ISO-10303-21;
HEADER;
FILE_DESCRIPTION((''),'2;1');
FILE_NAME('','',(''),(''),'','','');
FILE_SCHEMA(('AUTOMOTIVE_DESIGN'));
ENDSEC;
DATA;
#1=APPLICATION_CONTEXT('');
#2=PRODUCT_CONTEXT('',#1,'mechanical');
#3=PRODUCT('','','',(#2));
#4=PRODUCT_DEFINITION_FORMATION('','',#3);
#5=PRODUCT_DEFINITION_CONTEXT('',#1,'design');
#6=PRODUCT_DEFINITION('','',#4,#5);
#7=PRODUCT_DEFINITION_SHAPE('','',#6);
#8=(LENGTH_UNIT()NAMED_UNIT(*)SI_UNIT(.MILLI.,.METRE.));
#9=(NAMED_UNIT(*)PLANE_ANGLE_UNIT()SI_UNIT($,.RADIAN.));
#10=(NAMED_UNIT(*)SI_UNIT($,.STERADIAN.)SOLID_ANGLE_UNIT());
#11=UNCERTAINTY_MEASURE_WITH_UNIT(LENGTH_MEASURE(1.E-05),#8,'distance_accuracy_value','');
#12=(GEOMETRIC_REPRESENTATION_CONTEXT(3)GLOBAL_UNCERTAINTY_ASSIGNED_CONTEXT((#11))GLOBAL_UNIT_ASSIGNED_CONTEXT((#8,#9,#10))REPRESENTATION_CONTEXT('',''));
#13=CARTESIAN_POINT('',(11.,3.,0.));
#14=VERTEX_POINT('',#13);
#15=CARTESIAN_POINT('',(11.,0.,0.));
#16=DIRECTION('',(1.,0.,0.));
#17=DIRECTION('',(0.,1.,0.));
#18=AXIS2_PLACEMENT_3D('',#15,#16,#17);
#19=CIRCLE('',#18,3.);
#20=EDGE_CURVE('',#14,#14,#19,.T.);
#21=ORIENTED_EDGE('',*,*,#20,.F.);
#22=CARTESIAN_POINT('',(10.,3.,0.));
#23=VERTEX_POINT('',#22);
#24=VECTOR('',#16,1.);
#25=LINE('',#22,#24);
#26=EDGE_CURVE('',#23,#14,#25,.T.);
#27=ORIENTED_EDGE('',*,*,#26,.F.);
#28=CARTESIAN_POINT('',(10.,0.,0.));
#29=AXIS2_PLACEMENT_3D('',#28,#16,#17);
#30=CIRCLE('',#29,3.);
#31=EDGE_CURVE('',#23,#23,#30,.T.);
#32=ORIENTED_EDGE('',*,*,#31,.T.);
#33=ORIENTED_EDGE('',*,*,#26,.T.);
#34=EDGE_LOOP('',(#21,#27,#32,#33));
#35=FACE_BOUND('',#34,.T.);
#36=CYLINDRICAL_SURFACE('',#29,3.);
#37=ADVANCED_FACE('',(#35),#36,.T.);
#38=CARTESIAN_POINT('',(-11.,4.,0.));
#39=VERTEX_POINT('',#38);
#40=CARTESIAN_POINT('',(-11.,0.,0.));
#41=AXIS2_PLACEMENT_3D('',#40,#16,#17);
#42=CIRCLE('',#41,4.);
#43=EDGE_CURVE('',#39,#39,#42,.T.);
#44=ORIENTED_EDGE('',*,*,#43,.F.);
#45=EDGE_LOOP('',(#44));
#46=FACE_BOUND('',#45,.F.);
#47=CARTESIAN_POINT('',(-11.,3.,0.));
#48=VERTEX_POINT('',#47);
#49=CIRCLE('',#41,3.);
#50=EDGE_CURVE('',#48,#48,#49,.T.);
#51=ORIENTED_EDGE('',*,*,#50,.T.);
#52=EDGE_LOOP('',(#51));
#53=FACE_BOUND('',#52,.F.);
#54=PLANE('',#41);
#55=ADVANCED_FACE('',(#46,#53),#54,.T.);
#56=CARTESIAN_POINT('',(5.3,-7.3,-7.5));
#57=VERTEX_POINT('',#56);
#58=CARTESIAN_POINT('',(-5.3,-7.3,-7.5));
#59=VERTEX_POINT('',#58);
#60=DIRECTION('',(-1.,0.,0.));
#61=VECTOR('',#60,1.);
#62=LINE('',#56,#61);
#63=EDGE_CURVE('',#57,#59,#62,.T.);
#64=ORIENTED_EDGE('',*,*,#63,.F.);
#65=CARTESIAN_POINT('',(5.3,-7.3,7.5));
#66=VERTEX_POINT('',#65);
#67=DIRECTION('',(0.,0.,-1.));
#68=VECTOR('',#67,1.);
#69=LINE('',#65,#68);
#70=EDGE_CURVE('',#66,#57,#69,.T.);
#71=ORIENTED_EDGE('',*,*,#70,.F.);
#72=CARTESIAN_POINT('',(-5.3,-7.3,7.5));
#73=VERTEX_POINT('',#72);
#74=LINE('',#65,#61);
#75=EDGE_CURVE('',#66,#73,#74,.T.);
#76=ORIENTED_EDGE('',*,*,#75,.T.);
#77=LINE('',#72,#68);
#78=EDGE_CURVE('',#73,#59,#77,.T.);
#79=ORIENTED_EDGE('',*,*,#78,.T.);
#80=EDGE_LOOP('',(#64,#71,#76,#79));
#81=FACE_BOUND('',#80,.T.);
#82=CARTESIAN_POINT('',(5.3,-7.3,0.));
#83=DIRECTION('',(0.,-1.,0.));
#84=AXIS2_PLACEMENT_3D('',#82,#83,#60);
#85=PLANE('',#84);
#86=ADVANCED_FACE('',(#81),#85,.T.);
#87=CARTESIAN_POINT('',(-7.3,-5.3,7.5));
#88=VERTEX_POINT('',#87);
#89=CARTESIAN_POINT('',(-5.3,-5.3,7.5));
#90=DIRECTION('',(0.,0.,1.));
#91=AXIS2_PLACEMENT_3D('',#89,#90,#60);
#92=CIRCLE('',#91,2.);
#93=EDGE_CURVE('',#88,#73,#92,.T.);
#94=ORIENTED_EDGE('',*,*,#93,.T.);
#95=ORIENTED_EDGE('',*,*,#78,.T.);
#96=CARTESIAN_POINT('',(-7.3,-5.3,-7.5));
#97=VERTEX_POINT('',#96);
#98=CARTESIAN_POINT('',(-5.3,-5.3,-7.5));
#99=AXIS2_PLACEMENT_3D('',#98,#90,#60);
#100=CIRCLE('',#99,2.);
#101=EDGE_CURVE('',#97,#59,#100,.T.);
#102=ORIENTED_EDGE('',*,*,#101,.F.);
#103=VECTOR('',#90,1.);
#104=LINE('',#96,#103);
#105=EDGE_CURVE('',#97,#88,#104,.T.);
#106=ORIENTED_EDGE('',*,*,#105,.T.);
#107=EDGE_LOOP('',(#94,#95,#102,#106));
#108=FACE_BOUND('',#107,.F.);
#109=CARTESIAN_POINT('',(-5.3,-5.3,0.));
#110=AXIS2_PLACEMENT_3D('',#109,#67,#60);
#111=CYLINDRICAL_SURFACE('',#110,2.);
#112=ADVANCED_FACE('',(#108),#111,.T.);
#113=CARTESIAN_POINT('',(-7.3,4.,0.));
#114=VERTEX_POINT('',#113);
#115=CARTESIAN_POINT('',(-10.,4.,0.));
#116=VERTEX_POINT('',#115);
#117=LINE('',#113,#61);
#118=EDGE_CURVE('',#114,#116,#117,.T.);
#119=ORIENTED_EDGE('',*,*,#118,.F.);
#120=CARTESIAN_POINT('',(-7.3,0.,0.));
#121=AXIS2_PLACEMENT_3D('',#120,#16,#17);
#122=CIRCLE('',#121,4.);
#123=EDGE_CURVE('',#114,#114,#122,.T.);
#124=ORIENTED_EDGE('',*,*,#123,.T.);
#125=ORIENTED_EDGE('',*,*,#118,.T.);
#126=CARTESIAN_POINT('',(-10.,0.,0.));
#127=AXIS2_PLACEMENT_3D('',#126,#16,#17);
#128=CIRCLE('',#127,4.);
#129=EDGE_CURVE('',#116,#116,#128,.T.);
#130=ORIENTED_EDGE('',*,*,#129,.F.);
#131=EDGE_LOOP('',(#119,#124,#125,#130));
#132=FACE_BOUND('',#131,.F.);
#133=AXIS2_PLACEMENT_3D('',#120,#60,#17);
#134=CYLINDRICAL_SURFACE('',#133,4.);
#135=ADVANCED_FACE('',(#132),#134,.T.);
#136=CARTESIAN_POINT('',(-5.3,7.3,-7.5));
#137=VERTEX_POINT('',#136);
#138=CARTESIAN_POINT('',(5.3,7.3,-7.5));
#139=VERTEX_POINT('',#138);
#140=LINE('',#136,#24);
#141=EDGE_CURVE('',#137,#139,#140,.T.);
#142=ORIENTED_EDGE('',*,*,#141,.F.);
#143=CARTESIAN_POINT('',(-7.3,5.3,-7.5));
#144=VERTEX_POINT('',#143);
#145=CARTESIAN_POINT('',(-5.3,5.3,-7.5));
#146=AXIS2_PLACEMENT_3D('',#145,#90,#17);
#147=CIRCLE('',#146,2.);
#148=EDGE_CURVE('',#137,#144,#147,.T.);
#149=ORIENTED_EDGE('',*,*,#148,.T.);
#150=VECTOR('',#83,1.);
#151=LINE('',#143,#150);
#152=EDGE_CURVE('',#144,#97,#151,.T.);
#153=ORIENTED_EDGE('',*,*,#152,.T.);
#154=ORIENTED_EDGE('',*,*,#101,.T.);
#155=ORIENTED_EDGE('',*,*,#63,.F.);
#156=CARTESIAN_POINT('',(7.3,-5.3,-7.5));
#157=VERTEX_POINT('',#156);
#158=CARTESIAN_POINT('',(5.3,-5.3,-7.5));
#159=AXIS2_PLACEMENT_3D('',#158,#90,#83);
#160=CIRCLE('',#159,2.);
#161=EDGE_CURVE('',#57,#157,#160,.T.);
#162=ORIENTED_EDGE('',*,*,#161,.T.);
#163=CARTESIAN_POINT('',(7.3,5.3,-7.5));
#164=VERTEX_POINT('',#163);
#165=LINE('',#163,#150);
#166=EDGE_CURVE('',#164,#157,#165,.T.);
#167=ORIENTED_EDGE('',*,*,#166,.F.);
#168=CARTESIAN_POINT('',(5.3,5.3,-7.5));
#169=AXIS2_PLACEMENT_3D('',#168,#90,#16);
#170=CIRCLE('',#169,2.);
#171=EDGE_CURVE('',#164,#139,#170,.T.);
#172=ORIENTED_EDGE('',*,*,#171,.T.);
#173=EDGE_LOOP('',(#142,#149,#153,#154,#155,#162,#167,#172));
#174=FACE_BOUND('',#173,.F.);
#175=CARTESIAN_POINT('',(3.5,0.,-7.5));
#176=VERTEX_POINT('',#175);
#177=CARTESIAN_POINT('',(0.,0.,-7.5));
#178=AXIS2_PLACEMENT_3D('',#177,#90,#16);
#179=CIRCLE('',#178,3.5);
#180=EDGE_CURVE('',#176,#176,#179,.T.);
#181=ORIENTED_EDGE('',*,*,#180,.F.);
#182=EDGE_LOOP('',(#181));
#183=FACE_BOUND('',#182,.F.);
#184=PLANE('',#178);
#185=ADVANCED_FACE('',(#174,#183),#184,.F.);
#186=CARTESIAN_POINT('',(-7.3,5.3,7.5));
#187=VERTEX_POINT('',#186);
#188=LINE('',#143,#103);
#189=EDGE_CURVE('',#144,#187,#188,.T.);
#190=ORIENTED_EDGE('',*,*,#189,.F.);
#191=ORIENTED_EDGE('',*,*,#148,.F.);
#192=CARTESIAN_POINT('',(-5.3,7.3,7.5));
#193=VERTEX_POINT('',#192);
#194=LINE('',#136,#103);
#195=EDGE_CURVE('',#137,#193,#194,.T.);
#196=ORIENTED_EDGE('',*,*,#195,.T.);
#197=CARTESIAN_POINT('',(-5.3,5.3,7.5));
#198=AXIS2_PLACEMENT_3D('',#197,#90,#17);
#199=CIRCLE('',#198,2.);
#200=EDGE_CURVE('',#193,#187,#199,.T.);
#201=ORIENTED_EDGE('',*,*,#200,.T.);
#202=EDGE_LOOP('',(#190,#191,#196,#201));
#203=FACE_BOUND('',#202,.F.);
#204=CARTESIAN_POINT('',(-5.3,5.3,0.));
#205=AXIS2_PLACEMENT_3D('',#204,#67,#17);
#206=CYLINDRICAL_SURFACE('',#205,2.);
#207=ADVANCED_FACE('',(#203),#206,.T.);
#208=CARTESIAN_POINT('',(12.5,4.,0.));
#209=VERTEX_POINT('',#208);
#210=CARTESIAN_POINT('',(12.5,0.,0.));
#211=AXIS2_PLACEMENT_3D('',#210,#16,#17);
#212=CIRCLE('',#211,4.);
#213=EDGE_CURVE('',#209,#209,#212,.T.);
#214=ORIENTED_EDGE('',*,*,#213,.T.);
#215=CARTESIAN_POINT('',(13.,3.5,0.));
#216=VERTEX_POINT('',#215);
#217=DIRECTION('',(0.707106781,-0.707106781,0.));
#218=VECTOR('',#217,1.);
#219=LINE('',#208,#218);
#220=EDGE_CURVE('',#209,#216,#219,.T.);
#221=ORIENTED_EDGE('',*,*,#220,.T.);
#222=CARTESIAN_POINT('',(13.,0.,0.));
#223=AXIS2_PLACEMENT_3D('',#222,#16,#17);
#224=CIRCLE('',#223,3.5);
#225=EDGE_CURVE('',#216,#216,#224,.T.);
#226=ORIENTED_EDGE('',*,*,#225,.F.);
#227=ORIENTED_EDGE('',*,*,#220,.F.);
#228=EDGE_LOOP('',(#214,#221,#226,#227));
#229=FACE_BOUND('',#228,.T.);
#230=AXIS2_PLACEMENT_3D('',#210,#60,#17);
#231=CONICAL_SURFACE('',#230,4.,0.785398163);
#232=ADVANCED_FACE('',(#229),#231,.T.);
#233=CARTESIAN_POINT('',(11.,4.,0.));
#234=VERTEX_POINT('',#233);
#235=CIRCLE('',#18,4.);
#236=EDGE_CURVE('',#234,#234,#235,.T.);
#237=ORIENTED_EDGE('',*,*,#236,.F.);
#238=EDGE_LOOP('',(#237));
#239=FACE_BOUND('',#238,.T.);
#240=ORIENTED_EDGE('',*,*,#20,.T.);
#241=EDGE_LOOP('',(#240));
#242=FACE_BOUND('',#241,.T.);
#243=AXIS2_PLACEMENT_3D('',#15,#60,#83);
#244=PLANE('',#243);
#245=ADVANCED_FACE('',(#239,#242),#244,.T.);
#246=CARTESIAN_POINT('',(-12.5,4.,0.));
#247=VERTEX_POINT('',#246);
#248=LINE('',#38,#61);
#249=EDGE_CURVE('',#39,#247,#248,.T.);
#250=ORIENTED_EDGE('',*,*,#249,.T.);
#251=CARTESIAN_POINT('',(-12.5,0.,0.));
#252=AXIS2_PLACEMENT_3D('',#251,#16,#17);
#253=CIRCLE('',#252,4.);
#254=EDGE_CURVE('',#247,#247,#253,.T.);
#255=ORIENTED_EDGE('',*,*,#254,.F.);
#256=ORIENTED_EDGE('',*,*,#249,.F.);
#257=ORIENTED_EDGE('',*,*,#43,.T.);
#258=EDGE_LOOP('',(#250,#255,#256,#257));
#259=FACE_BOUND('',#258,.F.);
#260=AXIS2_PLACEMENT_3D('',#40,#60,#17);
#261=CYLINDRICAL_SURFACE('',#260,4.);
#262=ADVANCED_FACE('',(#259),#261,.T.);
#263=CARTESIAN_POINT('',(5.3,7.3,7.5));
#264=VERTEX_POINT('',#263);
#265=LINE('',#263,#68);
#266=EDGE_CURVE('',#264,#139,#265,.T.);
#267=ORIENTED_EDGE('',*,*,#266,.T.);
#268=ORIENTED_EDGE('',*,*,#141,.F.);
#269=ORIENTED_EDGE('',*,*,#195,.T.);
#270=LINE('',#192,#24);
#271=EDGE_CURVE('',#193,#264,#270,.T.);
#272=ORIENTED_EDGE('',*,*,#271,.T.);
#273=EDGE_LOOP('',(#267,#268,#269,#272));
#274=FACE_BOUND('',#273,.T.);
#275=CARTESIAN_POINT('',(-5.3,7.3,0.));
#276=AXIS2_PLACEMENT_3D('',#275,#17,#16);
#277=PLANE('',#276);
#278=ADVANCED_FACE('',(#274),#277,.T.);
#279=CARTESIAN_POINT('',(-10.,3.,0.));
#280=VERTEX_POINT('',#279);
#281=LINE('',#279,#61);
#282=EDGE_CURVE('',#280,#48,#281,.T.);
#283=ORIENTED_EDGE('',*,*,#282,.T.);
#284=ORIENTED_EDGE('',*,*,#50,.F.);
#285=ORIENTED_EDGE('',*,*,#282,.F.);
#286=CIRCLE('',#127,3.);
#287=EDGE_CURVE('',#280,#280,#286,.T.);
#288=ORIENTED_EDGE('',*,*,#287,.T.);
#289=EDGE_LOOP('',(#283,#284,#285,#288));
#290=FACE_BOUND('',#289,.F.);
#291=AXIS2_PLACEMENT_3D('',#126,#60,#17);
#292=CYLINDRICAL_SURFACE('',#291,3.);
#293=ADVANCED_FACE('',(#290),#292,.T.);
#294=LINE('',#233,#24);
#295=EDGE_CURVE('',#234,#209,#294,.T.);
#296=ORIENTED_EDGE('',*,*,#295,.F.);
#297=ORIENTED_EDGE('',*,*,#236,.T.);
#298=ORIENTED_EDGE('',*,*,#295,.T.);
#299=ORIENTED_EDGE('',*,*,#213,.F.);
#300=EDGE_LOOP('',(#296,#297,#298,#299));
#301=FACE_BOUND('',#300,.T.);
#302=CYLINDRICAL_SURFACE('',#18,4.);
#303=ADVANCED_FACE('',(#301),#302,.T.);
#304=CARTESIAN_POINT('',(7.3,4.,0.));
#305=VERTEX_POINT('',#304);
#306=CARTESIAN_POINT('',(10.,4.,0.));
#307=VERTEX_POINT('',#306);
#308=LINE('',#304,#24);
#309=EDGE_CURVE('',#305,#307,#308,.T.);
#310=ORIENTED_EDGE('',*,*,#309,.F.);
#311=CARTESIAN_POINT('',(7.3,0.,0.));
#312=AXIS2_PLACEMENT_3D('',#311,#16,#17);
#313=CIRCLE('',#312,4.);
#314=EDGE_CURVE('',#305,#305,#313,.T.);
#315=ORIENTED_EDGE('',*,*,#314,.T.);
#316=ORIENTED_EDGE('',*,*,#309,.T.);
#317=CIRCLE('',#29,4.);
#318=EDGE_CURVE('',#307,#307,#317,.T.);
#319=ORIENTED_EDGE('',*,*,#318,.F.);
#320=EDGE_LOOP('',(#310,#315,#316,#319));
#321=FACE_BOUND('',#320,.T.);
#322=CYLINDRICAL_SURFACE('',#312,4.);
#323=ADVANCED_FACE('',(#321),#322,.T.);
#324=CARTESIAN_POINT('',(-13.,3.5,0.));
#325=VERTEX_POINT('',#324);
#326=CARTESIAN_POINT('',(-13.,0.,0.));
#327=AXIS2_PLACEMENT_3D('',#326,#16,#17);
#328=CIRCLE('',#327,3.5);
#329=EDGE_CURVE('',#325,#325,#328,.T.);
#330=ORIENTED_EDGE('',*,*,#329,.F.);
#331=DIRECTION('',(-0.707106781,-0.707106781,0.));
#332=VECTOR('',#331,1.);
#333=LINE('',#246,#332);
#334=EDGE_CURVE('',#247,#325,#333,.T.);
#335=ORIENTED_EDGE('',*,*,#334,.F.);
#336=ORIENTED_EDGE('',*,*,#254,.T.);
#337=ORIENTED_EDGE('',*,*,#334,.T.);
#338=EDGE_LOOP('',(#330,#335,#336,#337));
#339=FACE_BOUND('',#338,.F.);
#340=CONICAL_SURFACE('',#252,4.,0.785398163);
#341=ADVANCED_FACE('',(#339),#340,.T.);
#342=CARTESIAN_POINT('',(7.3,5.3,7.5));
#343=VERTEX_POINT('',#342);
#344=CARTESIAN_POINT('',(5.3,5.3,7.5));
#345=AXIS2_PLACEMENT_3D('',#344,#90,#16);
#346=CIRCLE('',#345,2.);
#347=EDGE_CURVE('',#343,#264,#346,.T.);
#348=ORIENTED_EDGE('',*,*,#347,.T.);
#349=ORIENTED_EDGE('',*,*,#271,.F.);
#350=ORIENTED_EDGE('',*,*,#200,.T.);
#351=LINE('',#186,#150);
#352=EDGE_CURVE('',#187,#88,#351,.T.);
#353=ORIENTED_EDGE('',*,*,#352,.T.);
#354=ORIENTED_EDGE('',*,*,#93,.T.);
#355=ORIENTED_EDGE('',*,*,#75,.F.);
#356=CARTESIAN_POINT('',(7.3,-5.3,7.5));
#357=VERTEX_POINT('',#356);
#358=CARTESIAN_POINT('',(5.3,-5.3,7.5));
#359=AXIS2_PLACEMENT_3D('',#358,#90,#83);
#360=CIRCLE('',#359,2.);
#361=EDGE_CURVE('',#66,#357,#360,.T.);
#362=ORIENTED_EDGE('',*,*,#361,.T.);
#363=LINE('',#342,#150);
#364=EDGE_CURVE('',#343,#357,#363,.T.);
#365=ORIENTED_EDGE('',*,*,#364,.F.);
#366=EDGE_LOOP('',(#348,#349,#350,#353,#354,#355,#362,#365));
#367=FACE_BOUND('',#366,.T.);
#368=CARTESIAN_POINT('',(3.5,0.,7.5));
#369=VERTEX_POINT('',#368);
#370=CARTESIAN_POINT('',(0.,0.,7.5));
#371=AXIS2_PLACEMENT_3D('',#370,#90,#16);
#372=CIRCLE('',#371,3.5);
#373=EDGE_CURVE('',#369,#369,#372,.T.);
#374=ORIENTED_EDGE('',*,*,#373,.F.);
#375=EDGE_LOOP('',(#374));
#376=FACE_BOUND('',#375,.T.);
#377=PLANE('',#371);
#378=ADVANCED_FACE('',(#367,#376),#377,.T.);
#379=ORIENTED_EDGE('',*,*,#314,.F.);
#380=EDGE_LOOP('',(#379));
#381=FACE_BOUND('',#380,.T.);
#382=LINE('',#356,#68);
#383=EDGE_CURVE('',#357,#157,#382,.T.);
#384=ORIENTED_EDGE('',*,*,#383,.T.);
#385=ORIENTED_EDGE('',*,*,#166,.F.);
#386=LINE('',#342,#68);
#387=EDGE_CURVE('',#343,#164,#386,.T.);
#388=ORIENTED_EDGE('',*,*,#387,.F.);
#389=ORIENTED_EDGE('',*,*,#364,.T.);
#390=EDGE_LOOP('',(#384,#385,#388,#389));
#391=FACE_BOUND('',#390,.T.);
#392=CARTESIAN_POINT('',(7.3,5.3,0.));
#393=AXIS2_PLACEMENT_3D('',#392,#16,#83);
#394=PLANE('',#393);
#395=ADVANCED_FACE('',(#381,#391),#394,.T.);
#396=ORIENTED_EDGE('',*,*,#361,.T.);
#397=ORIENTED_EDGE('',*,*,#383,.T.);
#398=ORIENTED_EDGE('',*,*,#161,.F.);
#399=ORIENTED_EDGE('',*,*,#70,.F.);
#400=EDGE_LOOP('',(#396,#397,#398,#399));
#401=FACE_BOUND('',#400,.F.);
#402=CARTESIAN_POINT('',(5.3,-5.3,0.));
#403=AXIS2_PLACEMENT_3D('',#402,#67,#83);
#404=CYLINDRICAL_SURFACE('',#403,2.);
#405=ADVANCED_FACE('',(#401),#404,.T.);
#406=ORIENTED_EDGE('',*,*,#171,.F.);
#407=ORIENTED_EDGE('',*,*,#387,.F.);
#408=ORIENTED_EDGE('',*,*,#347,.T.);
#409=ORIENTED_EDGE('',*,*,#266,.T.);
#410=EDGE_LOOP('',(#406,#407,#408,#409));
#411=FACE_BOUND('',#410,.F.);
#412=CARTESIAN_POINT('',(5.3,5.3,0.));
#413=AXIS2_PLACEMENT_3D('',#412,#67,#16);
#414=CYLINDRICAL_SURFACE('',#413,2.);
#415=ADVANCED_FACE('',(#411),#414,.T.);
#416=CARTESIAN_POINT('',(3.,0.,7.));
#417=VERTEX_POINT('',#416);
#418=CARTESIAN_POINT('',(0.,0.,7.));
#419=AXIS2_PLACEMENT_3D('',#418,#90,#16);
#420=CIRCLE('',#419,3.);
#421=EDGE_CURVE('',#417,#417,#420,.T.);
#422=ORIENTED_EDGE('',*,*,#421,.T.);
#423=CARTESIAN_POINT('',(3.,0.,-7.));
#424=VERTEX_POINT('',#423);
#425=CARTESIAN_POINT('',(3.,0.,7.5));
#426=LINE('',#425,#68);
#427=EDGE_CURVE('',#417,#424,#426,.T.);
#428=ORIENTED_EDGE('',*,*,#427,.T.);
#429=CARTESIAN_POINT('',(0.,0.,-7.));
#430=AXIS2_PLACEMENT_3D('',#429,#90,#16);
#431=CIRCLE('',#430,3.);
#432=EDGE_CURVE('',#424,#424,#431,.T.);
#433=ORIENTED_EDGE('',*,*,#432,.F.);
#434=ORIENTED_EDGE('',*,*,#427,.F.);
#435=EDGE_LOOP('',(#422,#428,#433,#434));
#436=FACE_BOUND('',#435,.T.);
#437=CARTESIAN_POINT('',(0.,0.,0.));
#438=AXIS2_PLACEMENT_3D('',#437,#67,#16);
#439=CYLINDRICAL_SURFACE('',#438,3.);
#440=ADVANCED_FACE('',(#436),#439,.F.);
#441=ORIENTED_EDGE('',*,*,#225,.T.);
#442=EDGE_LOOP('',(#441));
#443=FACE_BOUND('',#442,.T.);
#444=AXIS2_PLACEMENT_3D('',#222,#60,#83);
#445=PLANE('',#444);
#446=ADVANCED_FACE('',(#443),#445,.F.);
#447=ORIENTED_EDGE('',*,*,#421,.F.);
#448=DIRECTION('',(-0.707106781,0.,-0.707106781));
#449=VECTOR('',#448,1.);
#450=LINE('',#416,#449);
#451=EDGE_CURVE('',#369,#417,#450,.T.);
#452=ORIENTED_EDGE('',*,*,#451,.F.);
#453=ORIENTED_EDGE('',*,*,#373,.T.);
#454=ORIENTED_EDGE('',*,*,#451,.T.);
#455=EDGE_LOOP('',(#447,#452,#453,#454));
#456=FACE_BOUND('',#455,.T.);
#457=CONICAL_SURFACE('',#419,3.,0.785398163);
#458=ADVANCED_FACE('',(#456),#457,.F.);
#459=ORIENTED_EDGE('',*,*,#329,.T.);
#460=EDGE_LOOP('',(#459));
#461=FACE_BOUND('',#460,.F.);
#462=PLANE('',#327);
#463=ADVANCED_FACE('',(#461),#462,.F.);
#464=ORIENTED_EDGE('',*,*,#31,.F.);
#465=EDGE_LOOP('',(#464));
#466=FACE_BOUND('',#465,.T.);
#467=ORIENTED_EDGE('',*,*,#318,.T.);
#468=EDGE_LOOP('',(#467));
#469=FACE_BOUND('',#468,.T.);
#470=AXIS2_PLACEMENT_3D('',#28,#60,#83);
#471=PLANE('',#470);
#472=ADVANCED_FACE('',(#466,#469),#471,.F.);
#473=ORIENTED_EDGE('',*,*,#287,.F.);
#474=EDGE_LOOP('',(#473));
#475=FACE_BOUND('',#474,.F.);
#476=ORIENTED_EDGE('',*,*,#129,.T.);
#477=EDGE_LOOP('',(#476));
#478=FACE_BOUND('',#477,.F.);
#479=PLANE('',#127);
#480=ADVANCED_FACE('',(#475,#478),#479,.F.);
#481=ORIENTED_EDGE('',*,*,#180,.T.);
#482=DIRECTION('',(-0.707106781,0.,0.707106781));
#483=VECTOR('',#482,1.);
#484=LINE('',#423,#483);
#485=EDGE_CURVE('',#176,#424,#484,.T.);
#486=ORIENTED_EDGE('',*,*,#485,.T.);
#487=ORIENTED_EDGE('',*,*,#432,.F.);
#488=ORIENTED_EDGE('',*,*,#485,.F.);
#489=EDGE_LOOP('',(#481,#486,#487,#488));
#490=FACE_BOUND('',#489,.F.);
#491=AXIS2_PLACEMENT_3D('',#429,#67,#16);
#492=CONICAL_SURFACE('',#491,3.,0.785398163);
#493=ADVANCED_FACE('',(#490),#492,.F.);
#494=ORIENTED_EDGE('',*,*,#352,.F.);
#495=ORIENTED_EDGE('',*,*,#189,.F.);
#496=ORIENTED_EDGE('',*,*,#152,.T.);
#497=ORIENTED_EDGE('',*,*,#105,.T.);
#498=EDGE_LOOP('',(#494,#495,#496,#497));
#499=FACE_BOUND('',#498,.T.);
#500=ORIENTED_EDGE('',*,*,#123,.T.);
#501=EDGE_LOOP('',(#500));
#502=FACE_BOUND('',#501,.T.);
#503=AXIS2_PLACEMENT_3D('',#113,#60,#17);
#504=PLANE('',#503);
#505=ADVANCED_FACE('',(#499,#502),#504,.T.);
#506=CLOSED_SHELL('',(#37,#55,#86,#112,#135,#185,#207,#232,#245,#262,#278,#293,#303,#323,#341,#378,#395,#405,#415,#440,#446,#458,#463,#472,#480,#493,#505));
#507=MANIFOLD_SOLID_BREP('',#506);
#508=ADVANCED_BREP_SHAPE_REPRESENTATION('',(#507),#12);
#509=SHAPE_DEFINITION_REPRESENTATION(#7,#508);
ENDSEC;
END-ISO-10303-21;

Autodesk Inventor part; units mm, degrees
ref_plane "YZ Plane" through (0, 0, 0) normal (1, 0, 0) x (0, 1, 0)
ref_plane "XZ Plane" through (0, 0, 0) normal (0, 1, 0) x (-1, 0, 0)
ref_plane "XY Plane" through (0, 0, 0) normal (0, 0, 1) x (1, 0, 0)
sketch "Sketch1" plane through (0, 0, 0) normal (0, 0, 1) x (1, 0, 0)
  line L0 (-5.3, 7.3) -> (5.3, 7.3)
  line L1 (7.3, 5.3) -> (7.3, -5.3)
  line L2 (5.3, -7.3) -> (-5.3, -7.3)
  line L3 (-7.3, -5.3) -> (-7.3, 5.3)
  arc A0 (-5.3, 7.3) -> (-7.3, 5.3) centre (-5.3, 5.3) ccw
  arc A1 (7.3, 5.3) -> (5.3, 7.3) centre (5.3, 5.3) ccw
  arc A2 (5.3, -7.3) -> (7.3, -5.3) centre (5.3, -5.3) ccw
  arc A3 (-7.3, -5.3) -> (-5.3, -7.3) centre (-5.3, -5.3) ccw
  line L4 (-7.3, 4) -> (-10, 4)
  line L5 (-10, 4) -> (-10, 3)
  line L6 (-10, 3) -> (-11, 3)
  line L7 (-11, 3) -> (-11, 4)
  line L8 (-11, 4) -> (-13, 4)
  line L9 (-13, 4) -> (-13, 0)
  line L10 (-13, 0) -> (-7.3, 0)
  circle A4 centre (0, 0) radius 3
  point P0 (0, 7.3)
  point P1 (7.3, 0)
  dimension "d0" = 14.6
  dimension "d1" = 2
  dimension "d3" = 8
  dimension "d4" = 6
  dimension "d5" = 2
  dimension "d6" = 1
  dimension "d7" = 13
  dimension "d11" = 6
extrude "Extrusion1" add sketch "Sketch1" along normal mid plane 15 contours L0 A1 L1 A2 L2 A3 L3 A0
revolve "Revolution1" add sketch "Sketch1" angle 360 about axis through (-13, 0, 0) along (1, 0, 0) contours L3 L10 L9 L8 L7 L6 L5 L4
mirror "Mirror1" about plane through (0, 0, 0) normal (1, 0, 0) of "Revolution1"
chamfer "Chamfer1" distance 0.5 angle 45 4 edges at (13, -4, 0) (-13, -4, 0) (-3, 0, 7.5) (-3, 0, -7.5)
properties part number "Tee" material "Steel, Mild"
